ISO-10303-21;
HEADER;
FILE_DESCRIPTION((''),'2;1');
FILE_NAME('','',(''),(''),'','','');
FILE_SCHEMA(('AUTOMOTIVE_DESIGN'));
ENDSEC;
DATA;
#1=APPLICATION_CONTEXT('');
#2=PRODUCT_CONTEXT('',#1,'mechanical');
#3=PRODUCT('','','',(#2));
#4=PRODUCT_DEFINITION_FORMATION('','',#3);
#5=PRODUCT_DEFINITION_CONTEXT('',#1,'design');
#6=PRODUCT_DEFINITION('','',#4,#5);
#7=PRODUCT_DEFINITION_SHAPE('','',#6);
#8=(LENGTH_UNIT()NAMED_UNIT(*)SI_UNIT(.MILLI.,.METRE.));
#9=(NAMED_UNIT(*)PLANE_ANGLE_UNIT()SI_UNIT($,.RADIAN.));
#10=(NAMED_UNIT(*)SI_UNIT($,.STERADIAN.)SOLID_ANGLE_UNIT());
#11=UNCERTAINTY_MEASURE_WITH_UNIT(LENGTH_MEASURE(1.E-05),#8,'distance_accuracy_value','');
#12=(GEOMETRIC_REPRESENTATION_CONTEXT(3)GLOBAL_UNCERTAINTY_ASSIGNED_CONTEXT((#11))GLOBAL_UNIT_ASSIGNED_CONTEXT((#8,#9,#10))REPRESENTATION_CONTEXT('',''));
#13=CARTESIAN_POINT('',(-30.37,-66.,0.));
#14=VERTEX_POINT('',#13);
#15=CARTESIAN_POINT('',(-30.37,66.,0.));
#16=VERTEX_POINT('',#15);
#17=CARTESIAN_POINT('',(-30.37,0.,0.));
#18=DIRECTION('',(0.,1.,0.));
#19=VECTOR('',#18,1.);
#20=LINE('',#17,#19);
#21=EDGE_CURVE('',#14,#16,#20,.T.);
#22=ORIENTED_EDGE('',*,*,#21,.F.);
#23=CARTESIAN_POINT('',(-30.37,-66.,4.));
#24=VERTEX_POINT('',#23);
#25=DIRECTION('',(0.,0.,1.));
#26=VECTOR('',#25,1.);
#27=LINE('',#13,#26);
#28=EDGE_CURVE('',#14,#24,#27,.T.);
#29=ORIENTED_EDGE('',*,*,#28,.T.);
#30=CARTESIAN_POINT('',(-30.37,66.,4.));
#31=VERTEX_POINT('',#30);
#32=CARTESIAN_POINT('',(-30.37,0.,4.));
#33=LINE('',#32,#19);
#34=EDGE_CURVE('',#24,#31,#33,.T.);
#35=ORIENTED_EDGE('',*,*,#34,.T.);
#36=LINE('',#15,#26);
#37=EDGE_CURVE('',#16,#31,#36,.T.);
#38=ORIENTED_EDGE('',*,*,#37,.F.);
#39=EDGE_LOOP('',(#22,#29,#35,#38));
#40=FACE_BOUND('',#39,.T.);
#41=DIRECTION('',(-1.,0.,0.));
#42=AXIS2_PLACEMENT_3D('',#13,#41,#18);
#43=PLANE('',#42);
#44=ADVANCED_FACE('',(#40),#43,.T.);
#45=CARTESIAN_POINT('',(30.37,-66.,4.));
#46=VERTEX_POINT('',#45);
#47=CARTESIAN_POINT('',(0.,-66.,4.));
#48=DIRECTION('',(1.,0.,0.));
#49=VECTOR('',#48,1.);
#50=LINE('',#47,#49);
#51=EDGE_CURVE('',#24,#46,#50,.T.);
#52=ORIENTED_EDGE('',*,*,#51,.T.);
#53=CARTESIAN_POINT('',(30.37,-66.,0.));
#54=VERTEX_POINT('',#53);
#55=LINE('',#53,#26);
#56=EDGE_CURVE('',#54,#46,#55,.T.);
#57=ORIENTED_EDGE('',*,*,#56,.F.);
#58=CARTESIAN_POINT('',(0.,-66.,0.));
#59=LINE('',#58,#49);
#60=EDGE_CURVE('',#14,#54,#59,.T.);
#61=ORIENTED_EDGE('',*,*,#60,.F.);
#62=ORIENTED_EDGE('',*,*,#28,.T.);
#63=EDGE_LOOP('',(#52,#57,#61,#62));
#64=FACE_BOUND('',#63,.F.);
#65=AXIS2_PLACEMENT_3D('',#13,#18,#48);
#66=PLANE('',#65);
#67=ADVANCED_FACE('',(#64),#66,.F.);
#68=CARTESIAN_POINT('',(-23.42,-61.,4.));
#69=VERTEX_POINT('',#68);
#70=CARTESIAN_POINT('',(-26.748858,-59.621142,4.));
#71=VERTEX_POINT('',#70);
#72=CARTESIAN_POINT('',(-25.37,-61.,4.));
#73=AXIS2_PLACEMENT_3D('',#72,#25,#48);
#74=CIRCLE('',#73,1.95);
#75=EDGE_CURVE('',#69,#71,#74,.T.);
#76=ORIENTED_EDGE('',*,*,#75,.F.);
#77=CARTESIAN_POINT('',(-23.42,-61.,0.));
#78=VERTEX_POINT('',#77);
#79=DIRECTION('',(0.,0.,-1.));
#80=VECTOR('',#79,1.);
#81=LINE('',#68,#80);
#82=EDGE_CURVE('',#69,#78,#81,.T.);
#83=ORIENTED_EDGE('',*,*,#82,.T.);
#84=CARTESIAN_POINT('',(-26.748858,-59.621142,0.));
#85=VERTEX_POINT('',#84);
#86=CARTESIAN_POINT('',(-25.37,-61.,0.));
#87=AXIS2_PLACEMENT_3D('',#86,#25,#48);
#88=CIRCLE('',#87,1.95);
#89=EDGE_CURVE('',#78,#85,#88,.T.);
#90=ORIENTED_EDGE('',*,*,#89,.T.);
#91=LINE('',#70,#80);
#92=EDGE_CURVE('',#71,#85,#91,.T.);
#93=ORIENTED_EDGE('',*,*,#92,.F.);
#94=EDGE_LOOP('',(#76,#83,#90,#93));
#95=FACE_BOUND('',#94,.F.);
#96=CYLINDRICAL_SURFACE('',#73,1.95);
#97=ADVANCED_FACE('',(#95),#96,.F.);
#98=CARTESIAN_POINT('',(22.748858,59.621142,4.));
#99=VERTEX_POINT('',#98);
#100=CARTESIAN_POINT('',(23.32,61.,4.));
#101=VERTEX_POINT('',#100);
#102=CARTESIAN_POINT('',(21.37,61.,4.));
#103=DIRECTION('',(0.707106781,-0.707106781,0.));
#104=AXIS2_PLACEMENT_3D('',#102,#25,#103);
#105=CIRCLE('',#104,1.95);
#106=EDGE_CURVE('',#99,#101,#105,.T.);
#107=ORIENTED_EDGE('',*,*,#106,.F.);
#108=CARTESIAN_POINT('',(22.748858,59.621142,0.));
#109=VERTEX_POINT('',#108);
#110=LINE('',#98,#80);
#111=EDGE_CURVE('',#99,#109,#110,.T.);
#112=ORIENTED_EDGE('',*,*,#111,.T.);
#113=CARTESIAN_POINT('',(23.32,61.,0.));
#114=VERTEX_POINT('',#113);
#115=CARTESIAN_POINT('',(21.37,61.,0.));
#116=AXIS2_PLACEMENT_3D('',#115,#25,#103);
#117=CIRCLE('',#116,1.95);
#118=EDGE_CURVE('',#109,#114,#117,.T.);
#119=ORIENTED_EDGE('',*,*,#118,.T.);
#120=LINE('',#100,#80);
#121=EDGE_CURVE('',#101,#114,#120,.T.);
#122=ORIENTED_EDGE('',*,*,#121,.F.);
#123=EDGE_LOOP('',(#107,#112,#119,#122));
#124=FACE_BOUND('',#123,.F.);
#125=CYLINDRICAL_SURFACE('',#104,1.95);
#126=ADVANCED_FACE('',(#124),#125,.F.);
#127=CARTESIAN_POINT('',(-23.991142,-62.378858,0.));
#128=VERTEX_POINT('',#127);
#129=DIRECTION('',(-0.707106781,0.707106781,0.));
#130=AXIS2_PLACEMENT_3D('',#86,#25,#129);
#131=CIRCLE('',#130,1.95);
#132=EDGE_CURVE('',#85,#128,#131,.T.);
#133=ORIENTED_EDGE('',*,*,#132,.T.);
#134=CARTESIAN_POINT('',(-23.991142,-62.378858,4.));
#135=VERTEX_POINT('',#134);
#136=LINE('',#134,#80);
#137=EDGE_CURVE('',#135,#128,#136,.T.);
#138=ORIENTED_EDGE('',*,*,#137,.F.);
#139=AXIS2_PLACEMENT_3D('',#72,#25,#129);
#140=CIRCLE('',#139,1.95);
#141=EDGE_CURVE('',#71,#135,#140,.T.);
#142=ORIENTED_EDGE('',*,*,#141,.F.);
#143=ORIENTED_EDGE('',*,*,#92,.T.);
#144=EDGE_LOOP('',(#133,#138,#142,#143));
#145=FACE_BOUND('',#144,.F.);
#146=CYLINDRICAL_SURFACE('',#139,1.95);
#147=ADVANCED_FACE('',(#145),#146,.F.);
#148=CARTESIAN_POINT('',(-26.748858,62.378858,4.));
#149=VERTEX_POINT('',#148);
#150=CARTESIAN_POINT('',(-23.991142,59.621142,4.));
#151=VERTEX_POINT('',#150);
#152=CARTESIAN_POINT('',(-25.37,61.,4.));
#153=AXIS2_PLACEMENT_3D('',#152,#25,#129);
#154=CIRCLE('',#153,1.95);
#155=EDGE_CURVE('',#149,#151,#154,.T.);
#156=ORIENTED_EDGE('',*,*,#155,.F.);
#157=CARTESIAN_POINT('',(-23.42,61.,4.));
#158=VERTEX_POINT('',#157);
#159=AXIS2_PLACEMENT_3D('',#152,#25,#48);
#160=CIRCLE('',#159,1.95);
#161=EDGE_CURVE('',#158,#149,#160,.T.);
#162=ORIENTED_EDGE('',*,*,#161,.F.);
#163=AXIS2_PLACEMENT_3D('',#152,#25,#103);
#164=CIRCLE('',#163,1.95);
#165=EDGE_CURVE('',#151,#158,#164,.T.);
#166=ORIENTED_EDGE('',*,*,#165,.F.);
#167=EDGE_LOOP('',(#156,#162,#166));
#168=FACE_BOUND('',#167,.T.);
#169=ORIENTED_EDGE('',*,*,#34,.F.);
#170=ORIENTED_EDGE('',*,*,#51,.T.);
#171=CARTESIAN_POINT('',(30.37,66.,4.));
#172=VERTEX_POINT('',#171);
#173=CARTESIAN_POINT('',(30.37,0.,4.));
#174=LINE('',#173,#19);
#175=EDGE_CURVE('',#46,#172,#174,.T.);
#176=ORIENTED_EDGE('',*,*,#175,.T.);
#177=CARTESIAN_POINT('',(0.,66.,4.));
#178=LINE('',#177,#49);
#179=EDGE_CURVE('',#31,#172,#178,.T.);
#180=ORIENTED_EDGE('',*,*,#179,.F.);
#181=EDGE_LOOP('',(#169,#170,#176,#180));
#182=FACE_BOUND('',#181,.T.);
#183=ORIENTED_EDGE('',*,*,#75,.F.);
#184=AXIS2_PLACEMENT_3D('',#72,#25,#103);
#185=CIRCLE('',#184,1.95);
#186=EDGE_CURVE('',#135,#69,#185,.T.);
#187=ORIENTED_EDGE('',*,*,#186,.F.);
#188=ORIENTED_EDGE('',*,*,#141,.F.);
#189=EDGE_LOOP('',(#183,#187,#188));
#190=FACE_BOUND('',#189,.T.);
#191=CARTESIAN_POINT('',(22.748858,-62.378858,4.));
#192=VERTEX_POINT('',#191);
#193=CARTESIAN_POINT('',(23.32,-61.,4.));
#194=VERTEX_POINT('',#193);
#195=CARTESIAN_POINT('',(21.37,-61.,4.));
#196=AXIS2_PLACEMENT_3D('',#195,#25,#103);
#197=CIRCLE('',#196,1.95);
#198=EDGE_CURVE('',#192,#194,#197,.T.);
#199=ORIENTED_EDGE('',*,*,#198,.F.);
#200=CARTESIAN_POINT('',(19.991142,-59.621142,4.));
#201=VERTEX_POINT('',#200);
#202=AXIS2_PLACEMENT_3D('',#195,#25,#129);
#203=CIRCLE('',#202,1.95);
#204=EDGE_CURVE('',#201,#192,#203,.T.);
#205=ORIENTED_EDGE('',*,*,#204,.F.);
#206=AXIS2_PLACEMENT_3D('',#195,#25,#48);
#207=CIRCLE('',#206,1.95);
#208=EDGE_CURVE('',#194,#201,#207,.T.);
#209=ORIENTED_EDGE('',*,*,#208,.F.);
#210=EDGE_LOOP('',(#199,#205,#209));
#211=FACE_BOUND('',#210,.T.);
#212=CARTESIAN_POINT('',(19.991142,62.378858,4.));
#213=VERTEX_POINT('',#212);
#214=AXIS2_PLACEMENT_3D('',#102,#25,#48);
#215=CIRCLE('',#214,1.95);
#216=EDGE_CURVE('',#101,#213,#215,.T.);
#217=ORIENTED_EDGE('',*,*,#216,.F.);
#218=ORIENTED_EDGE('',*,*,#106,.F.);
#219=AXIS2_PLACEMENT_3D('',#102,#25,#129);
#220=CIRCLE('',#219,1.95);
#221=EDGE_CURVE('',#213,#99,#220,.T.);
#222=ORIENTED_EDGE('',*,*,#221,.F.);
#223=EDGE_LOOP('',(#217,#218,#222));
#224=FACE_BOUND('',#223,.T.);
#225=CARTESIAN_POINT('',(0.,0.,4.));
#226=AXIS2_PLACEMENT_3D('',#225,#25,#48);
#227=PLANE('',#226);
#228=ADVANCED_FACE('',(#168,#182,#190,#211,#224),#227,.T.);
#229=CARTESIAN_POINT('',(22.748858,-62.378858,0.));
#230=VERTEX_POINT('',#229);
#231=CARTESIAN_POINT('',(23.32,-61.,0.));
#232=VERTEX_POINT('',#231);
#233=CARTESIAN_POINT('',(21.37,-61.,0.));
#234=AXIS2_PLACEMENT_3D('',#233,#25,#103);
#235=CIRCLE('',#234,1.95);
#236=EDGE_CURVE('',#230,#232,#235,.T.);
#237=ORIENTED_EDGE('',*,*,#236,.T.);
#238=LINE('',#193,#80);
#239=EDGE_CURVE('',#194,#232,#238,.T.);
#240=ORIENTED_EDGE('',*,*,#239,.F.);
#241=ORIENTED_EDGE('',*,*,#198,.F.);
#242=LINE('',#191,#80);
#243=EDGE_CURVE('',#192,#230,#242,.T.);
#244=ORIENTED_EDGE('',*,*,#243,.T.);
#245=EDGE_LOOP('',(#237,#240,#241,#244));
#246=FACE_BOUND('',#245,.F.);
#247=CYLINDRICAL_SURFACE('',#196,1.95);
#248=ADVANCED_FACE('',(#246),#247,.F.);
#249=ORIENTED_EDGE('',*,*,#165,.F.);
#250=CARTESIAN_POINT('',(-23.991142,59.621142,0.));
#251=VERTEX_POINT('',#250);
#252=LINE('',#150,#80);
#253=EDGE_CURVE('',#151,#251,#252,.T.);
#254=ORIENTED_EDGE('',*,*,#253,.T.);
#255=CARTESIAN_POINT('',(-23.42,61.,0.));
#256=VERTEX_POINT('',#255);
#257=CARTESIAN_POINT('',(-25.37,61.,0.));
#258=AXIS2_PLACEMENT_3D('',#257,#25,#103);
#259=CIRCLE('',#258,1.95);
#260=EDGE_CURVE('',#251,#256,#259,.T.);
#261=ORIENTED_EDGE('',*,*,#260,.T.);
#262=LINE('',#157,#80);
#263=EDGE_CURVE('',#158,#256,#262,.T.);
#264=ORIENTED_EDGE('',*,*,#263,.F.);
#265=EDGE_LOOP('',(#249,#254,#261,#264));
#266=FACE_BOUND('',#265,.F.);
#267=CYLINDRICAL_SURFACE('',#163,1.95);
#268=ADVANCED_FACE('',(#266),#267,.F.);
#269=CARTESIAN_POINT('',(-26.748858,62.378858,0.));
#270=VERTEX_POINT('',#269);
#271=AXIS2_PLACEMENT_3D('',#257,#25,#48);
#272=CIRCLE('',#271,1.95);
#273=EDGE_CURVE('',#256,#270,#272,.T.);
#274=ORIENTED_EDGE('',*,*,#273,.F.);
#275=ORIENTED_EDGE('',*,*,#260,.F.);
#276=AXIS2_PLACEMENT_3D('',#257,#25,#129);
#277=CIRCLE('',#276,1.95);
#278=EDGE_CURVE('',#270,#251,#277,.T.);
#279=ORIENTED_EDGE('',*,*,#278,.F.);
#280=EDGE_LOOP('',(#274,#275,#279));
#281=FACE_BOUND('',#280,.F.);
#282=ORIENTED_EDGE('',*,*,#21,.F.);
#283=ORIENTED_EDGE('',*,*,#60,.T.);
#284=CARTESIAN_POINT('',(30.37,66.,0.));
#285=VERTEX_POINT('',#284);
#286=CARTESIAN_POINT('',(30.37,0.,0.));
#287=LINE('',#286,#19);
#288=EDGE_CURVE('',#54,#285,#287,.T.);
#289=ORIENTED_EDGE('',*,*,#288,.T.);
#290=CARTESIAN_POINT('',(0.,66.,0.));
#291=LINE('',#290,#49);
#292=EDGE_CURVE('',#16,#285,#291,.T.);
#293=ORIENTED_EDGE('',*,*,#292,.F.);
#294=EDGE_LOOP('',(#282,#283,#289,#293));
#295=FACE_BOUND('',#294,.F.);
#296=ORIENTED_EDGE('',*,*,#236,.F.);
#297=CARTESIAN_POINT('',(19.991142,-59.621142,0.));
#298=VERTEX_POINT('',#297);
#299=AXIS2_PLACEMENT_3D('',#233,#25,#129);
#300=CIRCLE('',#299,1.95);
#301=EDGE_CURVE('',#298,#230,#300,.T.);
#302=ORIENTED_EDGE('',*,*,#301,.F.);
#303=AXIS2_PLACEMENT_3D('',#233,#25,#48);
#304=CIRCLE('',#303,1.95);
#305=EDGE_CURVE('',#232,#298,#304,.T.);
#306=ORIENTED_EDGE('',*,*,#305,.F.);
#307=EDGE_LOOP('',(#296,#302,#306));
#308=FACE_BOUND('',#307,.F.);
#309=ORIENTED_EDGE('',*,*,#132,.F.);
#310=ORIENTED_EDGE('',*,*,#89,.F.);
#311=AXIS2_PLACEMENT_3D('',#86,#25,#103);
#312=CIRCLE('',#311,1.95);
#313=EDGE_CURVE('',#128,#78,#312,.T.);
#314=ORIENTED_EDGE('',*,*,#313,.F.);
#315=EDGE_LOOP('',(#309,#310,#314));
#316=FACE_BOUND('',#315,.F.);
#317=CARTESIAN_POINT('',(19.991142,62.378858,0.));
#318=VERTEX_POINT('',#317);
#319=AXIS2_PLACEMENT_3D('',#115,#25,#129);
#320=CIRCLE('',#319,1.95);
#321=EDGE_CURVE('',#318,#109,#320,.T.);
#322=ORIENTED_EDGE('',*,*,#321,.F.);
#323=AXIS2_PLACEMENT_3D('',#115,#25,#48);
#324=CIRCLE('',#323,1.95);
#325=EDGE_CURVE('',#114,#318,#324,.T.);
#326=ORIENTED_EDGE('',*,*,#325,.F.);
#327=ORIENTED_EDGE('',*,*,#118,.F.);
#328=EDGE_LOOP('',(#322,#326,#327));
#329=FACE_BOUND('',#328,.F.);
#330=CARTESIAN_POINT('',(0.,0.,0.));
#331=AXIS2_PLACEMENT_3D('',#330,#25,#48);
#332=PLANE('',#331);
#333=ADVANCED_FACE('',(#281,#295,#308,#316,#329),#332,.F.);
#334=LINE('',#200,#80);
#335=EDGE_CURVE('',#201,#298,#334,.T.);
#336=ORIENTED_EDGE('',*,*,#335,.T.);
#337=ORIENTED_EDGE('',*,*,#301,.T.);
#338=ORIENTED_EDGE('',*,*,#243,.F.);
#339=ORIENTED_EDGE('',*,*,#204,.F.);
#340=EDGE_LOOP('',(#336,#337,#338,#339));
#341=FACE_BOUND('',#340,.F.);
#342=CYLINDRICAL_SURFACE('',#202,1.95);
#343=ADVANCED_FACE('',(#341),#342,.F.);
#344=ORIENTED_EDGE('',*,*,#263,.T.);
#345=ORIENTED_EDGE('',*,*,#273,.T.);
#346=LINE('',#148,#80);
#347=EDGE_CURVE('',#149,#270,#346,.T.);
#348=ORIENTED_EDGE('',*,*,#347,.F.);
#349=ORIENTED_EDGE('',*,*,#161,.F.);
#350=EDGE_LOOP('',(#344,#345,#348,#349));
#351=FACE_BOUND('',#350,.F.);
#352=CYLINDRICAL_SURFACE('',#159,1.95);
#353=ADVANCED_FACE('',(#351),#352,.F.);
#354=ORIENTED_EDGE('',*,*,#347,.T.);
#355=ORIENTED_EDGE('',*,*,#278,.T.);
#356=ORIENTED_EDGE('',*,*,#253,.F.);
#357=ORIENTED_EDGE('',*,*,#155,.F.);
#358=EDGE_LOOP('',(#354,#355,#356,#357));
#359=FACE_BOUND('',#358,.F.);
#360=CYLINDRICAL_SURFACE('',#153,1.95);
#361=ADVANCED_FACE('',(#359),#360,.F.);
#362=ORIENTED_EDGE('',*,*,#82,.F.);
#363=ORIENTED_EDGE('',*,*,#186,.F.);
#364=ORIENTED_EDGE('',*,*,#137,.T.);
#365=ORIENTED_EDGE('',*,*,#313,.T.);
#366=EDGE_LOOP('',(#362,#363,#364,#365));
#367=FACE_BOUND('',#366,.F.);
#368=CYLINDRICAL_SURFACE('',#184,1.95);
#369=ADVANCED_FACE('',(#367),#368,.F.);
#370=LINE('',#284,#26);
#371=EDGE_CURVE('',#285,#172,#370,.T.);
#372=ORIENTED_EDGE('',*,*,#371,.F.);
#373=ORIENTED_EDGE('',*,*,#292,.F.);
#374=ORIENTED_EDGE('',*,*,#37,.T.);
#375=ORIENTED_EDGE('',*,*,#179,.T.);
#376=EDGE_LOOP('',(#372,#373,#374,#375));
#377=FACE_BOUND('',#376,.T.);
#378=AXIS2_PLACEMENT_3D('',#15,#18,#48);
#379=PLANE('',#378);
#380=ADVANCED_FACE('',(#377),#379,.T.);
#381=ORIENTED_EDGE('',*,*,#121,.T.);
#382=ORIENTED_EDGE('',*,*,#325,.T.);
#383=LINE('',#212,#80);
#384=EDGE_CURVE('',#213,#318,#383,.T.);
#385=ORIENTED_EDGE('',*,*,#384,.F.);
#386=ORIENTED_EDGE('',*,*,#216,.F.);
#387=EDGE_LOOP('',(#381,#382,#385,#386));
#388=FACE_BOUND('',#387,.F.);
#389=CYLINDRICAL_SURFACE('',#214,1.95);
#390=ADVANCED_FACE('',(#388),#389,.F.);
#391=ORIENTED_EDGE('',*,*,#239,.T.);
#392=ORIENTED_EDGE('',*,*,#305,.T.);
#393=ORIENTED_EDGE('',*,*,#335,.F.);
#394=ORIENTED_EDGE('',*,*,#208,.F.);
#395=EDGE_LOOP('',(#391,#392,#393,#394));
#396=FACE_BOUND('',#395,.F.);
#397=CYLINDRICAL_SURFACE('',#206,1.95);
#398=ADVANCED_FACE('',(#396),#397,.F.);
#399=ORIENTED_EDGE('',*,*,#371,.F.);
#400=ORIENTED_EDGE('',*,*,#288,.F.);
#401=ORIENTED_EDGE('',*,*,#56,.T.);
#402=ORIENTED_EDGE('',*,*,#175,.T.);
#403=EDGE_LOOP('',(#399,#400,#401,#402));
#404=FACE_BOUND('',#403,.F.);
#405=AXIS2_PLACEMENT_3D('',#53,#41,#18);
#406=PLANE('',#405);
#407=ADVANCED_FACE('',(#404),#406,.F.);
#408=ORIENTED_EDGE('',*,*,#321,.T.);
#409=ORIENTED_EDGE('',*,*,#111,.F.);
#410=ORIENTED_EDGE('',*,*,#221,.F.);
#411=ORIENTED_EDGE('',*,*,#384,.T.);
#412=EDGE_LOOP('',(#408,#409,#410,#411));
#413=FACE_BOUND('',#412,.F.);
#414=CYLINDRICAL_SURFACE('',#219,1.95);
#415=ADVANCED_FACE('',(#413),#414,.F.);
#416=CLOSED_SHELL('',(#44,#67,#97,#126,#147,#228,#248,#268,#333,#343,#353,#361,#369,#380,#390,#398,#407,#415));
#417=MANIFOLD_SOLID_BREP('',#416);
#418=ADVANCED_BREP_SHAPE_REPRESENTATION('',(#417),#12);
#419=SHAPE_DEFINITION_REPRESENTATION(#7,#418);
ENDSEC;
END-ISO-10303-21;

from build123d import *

# Parameters (mm, degrees)
F0_W     = 60.74
F0_H     = 132
F1_DEPTH = 4
F3_DEPTH = 4


with BuildPart() as f1:
    # F0 (on Top) → F1 (new body)
    with BuildSketch(Plane.XY):
        Rectangle(F0_W, F0_H)
    extrude(amount=F1_DEPTH)

    # F2 (on face) → F3 (cut)
    with BuildSketch(Plane.XY.offset(4)):
        with BuildLine():
            Line((-23.9911417767, 59.6211417767), (-26.7488582233, 62.3788582233))
            ThreePointArc((-26.7488582233, 62.3788582233), (-26.7488582233, 59.6211417767), (-23.9911417767, 59.6211417767))
        make_face()
        with BuildLine():
            ThreePointArc((-23.42, 61), (-24.6237673069, 62.8015650884), (-26.7488582233, 62.3788582233))
            Line((-26.7488582233, 62.3788582233), (-23.9911417767, 59.6211417767))
            ThreePointArc((-23.9911417767, 59.6211417767), (-23.5684349116, 60.2537673069), (-23.42, 61))
        make_face()
        with BuildLine():
            Line((22.7488582233, 59.6211417767), (19.9911417767, 62.3788582233))
            ThreePointArc((19.9911417767, 62.3788582233), (19.9911417767, 59.6211417767), (22.7488582233, 59.6211417767))
        make_face()
        with BuildLine():
            ThreePointArc((23.32, 61), (22.1162326931, 62.8015650884), (19.9911417767, 62.3788582233))
            Line((19.9911417767, 62.3788582233), (22.7488582233, 59.6211417767))
            ThreePointArc((22.7488582233, 59.6211417767), (23.1715650884, 60.2537673069), (23.32, 61))
        make_face()
        with BuildLine():
            ThreePointArc((-23.42, -61), (-24.6237673069, -59.1984349116), (-26.7488582233, -59.6211417767))
            Line((-26.7488582233, -59.6211417767), (-23.9911417767, -62.3788582233))
            ThreePointArc((-23.9911417767, -62.3788582233), (-23.5684349116, -61.7462326931), (-23.42, -61))
        make_face()
        with BuildLine():
            Line((-23.9911417767, -62.3788582233), (-26.7488582233, -59.6211417767))
            ThreePointArc((-26.7488582233, -59.6211417767), (-26.7488582233, -62.3788582233), (-23.9911417767, -62.3788582233))
        make_face()
        with BuildLine():
            ThreePointArc((19.9911417767, -59.6211417767), (19.9911417767, -62.3788582233), (22.7488582233, -62.3788582233))
            Line((22.7488582233, -62.3788582233), (19.9911417767, -59.6211417767))
        make_face()
        with BuildLine():
            Line((19.9911417767, -59.6211417767), (22.7488582233, -62.3788582233))
            ThreePointArc((22.7488582233, -62.3788582233), (23.1715650884, -61.7462326931), (23.32, -61))
            ThreePointArc((23.32, -61), (22.1162326931, -59.1984349116), (19.9911417767, -59.6211417767))
        make_face()
    extrude(amount=-F3_DEPTH, mode=Mode.SUBTRACT)


solid = f1.part
